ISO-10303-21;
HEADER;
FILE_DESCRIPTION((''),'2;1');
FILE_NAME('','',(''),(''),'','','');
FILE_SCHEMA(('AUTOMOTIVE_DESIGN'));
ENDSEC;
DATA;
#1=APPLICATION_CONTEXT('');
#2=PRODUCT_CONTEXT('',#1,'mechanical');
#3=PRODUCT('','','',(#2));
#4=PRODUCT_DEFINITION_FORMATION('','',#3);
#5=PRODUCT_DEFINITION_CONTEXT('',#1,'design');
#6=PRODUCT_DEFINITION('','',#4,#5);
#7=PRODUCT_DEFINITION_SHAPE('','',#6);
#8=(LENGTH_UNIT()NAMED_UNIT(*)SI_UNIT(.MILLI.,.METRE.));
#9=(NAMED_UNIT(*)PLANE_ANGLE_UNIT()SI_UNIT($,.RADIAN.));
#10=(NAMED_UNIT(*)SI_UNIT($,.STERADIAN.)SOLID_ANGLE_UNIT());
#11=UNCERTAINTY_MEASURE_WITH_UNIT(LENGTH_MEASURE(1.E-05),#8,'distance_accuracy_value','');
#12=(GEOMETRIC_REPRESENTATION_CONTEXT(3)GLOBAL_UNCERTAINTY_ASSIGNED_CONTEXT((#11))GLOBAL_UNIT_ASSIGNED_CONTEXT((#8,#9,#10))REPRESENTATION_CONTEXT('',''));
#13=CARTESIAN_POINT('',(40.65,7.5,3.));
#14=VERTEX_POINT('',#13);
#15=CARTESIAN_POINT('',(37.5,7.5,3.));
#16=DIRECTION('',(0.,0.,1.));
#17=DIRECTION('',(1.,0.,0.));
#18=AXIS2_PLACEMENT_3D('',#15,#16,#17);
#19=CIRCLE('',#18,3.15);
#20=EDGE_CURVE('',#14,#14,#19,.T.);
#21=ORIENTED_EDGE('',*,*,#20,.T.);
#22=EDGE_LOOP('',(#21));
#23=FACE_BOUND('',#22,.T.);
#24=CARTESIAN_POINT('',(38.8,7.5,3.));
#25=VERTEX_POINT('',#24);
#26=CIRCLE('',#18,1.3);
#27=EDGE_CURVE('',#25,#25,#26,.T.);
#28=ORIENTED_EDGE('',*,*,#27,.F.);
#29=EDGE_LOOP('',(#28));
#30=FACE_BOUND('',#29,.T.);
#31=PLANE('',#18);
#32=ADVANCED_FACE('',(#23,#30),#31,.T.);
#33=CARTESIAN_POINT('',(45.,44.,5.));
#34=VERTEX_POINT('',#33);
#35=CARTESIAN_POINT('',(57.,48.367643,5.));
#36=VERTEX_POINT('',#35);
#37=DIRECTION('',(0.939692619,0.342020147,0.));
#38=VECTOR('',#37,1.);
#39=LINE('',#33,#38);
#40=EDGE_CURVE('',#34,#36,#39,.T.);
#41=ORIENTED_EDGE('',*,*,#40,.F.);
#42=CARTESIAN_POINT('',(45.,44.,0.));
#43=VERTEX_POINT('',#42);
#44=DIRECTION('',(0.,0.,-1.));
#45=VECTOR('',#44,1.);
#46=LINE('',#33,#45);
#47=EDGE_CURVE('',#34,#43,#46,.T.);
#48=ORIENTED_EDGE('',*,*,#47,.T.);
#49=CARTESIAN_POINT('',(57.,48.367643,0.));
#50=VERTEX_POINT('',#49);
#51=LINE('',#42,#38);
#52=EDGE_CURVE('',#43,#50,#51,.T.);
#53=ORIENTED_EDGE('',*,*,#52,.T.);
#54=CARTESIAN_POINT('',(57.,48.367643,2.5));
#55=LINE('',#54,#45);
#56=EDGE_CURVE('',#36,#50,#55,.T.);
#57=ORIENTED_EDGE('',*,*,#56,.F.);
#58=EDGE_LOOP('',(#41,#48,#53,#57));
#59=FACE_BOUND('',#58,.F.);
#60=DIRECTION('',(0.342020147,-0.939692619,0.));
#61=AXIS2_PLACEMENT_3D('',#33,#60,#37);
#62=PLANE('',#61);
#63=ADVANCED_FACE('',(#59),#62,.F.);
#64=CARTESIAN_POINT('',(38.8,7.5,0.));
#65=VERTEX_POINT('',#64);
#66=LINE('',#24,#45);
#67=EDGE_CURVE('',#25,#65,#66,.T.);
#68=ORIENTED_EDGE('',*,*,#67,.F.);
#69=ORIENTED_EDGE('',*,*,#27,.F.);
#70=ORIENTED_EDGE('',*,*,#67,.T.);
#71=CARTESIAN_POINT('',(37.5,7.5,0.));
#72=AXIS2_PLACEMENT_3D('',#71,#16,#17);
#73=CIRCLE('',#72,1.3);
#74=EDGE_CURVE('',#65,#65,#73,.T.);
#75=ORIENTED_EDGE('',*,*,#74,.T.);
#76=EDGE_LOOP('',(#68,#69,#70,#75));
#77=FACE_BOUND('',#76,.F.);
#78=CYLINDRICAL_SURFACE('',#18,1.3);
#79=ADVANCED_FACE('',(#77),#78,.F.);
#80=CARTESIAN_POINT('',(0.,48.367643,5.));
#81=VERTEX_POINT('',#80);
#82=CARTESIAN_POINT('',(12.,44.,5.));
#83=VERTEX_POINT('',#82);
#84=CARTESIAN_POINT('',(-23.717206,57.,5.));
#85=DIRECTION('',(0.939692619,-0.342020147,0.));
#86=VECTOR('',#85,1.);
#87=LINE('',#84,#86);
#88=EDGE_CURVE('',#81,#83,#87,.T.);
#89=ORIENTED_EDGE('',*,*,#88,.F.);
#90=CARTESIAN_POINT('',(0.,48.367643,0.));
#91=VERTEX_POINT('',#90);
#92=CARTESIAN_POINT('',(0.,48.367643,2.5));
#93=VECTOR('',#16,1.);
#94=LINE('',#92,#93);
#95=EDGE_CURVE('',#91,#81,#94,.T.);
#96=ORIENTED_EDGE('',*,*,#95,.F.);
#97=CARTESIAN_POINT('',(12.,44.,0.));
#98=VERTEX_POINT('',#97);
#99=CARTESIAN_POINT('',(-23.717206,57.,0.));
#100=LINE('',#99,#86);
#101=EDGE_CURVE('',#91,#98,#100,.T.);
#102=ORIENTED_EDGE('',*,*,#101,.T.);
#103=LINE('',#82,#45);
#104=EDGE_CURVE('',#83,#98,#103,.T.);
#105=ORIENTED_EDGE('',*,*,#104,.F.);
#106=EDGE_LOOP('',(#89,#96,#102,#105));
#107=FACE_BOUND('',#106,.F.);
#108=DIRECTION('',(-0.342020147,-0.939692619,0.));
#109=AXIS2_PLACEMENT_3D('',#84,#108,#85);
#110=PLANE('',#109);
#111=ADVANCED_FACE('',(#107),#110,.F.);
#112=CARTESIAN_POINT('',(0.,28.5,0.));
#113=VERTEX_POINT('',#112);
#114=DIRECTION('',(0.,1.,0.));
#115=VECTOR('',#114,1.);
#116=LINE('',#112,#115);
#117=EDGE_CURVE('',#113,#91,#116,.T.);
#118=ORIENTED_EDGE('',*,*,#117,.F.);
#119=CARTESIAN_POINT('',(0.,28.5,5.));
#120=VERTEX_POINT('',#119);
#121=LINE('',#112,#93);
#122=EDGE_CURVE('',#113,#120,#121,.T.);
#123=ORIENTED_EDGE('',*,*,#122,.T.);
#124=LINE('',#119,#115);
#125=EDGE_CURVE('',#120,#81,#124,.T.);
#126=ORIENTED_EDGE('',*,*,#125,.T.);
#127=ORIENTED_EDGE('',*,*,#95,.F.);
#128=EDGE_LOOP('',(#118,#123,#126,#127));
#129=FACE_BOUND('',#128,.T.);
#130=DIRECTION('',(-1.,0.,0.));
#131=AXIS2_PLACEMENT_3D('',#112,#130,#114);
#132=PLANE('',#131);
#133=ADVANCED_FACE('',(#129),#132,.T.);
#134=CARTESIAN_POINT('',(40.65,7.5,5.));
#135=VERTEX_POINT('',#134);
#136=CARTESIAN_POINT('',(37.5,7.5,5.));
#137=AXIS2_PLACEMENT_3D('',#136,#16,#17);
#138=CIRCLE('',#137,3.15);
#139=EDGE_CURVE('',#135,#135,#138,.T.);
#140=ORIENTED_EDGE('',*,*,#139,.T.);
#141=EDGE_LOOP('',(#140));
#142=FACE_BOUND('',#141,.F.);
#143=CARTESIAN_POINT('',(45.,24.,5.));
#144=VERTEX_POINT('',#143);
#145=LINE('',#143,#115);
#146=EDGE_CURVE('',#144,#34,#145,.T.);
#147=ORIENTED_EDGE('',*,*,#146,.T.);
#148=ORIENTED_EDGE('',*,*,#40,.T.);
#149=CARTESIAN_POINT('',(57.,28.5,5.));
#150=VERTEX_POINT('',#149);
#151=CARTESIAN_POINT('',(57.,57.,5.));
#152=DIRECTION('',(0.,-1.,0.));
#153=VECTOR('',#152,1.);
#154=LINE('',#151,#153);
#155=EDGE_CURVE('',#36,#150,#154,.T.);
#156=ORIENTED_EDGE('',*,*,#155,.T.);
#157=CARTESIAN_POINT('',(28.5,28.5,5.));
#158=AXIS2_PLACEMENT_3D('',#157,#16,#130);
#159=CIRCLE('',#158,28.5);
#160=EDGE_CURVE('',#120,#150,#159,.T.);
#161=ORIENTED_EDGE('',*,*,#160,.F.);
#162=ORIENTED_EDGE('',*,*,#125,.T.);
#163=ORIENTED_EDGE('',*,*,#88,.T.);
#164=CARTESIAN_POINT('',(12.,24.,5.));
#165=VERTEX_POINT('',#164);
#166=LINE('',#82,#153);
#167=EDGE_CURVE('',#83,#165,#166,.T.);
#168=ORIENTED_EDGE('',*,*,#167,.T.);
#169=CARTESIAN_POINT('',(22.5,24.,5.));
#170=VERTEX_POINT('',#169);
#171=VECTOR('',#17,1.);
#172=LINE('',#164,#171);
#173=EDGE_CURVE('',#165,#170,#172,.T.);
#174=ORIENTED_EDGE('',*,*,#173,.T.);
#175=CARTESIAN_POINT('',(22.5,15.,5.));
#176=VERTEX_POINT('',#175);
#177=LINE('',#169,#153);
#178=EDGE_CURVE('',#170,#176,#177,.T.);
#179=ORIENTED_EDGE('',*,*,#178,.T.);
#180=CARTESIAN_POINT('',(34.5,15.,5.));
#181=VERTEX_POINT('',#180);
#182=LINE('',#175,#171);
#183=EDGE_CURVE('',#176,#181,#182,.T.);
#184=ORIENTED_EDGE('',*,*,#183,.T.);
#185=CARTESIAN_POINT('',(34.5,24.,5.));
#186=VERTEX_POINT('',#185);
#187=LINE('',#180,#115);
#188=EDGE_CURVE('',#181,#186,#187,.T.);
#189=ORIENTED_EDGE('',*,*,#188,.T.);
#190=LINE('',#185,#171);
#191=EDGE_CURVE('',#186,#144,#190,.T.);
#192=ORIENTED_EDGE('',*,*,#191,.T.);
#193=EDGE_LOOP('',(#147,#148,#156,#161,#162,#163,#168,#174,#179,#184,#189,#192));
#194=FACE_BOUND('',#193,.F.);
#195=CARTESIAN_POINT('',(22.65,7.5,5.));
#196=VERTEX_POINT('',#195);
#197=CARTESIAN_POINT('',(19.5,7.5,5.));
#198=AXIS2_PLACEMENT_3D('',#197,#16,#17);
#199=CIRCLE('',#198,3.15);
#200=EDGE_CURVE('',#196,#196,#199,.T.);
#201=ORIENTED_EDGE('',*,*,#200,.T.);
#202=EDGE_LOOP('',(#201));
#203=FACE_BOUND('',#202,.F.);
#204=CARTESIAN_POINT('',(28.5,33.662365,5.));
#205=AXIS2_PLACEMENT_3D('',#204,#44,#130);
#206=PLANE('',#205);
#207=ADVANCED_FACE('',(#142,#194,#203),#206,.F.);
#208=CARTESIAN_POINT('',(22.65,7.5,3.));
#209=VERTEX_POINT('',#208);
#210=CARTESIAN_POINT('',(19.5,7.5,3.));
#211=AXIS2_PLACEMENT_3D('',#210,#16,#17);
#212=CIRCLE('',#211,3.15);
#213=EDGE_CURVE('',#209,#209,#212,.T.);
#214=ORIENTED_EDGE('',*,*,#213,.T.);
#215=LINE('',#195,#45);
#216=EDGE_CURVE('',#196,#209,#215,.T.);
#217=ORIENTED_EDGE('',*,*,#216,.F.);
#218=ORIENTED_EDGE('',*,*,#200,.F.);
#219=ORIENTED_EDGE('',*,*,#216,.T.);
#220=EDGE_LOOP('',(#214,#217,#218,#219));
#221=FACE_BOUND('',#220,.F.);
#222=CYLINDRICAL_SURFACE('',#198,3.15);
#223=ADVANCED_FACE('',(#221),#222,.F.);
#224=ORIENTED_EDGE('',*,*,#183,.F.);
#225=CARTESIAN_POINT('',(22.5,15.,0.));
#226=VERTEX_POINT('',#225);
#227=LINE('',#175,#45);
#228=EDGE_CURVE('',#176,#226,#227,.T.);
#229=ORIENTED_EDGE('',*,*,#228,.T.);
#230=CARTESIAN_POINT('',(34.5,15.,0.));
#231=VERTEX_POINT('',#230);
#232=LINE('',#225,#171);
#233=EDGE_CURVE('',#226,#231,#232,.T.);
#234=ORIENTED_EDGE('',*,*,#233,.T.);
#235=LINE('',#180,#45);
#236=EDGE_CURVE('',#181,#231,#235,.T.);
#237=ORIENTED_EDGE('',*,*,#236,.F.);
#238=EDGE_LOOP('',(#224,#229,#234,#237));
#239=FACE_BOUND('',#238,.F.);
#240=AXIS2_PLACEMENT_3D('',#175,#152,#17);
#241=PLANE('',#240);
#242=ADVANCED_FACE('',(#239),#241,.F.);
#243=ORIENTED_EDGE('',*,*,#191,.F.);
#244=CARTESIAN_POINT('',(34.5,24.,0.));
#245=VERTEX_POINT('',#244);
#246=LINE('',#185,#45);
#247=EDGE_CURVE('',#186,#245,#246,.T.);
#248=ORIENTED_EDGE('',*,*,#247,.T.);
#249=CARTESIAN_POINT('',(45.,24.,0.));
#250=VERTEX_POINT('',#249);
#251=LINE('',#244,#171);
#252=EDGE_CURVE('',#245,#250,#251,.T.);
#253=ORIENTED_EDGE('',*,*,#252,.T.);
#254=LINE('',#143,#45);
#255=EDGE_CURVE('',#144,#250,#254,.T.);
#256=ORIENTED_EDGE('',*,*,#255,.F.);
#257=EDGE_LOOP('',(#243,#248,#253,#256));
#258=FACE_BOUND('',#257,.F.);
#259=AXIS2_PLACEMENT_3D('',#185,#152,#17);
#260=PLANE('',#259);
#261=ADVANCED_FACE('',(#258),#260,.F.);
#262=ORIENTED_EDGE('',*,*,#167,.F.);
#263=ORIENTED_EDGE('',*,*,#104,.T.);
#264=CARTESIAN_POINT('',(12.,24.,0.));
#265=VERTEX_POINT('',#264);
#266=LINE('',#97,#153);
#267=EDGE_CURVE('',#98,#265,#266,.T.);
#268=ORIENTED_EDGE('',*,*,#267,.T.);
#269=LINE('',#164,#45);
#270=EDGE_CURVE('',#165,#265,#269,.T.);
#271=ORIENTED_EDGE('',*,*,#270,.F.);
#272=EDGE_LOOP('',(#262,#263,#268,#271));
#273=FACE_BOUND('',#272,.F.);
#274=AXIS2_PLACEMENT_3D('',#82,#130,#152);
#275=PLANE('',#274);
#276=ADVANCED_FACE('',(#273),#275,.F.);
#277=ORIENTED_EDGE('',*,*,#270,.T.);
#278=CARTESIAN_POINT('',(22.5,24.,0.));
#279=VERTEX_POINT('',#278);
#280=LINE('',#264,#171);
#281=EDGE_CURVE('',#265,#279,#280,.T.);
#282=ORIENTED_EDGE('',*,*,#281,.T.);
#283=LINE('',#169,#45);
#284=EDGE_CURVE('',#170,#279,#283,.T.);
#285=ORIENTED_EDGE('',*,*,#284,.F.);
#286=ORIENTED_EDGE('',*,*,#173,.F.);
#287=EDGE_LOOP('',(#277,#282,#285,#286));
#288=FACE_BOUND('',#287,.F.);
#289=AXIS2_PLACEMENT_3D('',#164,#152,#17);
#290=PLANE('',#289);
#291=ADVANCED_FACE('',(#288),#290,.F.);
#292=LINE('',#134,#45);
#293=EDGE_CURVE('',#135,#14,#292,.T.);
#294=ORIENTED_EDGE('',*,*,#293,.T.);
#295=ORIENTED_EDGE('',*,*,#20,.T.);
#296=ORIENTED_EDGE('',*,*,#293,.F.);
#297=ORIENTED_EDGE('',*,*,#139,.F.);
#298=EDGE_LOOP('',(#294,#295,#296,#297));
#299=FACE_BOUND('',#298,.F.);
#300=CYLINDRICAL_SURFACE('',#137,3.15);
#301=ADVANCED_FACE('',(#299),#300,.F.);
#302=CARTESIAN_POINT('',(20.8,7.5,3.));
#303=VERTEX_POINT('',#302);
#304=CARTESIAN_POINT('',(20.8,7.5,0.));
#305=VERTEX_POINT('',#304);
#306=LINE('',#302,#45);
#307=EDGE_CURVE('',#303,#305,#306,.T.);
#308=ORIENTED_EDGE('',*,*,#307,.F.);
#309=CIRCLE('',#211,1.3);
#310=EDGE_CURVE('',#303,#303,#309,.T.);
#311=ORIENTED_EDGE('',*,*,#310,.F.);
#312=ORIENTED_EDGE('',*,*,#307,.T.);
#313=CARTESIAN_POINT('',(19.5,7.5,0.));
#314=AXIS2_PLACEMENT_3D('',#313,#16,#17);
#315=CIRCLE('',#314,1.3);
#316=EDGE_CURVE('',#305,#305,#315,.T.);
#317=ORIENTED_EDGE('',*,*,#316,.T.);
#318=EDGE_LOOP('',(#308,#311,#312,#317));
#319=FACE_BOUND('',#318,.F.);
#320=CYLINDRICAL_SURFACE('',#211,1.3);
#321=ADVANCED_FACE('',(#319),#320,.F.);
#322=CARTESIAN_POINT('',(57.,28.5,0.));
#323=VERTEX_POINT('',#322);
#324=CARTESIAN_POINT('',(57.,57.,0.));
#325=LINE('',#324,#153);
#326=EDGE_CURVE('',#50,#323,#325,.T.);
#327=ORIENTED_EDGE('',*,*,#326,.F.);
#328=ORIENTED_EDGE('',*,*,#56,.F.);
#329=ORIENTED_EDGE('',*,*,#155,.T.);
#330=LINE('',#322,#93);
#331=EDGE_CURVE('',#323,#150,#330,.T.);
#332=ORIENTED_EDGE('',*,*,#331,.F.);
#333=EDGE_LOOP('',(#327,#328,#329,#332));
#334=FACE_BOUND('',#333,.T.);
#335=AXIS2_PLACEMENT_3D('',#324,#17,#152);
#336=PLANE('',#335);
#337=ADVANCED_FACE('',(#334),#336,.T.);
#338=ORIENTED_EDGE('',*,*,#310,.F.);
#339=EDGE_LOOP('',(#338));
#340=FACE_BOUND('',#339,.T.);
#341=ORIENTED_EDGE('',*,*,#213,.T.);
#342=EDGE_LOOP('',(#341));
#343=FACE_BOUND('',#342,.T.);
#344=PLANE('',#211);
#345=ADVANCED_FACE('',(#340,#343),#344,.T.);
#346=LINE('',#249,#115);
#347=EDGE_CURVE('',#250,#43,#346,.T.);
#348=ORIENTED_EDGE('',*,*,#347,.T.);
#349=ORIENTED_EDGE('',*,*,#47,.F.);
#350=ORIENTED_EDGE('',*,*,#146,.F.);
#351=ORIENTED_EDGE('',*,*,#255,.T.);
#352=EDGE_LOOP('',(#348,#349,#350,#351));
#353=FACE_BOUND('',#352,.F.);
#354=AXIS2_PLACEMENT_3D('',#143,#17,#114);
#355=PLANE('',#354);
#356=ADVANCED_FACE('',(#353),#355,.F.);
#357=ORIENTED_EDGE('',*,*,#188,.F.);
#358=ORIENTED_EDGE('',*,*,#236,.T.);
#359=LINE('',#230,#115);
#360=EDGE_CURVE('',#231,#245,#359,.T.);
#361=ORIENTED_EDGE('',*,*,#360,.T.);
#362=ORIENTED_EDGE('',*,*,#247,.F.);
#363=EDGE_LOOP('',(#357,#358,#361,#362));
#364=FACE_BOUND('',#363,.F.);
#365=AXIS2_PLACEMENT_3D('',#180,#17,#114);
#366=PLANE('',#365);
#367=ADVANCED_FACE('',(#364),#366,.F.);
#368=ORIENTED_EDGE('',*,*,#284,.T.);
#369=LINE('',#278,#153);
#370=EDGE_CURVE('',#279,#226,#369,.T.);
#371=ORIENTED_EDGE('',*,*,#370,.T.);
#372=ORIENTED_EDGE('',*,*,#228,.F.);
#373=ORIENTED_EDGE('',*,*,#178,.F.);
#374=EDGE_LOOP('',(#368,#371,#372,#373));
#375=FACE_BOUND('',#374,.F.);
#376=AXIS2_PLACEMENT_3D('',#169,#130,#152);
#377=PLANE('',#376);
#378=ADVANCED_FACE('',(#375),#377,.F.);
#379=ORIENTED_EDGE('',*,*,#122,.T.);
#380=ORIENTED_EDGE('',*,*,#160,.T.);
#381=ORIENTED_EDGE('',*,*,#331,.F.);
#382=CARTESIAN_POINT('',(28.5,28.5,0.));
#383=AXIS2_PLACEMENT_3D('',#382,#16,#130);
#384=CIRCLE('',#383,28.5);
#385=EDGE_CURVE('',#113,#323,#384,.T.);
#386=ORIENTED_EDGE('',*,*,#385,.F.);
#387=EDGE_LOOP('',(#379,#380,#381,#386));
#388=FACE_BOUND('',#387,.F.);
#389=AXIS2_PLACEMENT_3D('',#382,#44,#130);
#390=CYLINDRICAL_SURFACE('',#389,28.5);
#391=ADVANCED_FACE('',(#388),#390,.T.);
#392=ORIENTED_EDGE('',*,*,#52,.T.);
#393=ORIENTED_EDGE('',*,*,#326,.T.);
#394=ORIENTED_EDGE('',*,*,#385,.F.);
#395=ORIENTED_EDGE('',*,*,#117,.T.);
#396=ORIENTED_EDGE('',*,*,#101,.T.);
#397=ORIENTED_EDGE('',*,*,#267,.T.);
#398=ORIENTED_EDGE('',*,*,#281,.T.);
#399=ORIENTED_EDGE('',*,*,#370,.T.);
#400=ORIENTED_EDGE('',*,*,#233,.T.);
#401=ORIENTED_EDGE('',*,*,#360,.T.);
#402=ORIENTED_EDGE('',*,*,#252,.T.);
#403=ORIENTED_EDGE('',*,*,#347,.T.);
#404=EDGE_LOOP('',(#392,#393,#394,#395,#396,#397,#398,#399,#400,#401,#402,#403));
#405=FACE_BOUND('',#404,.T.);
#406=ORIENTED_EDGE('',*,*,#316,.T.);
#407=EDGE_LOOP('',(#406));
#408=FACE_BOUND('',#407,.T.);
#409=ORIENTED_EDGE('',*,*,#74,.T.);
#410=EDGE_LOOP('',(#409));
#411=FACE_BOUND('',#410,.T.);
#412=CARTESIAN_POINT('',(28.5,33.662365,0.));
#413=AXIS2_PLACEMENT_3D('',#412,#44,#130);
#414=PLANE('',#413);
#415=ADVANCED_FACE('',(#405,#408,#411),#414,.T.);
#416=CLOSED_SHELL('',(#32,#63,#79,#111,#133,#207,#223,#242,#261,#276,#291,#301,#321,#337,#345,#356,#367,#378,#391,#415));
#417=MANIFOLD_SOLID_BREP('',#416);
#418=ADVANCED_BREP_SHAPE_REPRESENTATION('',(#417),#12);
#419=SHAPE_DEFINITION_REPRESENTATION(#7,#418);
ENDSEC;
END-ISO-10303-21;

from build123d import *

# Parameters (mm, degrees)
PAD007_DEPTH    = 5
POCKET016_DEPTH = 5
SKETCH028_R     = 3.15
POCKET_DEPTH    = 2
SKETCH041_R     = 1.3
POCKET024_DEPTH = 3


with BuildPart() as part:
    # Sketch025 → Pad007 (new body)
    with BuildSketch(Plane.XY):
        with BuildLine():
            Line((0, 28.5), (0, 57))
            Line((0, 57), (57, 57))
            Line((57, 57), (57, 28.5))
            ThreePointArc((0, 28.5), (28.5, 0), (57, 28.5))
        make_face()
    extrude(amount=PAD007_DEPTH)

    # Sketch026 (on Face6 of Pad007) → Pocket016 (cut)
    with BuildSketch(Plane.XY.offset(5)):
        Polygon((22.5, 15), (34.5, 15), (34.5, 24), (45, 24), (45, 44), (80.717206, 57), (45, 57), (12, 57), (-23.717206, 57), (12, 44), (12, 24), (22.5, 24), align=None)
    extrude(amount=-POCKET016_DEPTH, mode=Mode.SUBTRACT)

    # Sketch028 (on Face4 of Pocket016) → Pocket (cut)
    with BuildSketch(Plane.XY.offset(5)):
        with Locations((19.5, 7.5)):
            Circle(SKETCH028_R)
        with Locations((37.5, 7.5)):
            Circle(SKETCH028_R)
    extrude(amount=-POCKET_DEPTH, mode=Mode.SUBTRACT)

    # Sketch041 (on Face18 of Pocket) → Pocket024 (cut)
    with BuildSketch(Plane.XY.offset(3)):
        with Locations((19.5, 7.5)):
            Circle(SKETCH041_R)
        with Locations((37.5, 7.5)):
            Circle(SKETCH041_R)
    extrude(amount=-POCKET024_DEPTH, mode=Mode.SUBTRACT)


solid = part.part
